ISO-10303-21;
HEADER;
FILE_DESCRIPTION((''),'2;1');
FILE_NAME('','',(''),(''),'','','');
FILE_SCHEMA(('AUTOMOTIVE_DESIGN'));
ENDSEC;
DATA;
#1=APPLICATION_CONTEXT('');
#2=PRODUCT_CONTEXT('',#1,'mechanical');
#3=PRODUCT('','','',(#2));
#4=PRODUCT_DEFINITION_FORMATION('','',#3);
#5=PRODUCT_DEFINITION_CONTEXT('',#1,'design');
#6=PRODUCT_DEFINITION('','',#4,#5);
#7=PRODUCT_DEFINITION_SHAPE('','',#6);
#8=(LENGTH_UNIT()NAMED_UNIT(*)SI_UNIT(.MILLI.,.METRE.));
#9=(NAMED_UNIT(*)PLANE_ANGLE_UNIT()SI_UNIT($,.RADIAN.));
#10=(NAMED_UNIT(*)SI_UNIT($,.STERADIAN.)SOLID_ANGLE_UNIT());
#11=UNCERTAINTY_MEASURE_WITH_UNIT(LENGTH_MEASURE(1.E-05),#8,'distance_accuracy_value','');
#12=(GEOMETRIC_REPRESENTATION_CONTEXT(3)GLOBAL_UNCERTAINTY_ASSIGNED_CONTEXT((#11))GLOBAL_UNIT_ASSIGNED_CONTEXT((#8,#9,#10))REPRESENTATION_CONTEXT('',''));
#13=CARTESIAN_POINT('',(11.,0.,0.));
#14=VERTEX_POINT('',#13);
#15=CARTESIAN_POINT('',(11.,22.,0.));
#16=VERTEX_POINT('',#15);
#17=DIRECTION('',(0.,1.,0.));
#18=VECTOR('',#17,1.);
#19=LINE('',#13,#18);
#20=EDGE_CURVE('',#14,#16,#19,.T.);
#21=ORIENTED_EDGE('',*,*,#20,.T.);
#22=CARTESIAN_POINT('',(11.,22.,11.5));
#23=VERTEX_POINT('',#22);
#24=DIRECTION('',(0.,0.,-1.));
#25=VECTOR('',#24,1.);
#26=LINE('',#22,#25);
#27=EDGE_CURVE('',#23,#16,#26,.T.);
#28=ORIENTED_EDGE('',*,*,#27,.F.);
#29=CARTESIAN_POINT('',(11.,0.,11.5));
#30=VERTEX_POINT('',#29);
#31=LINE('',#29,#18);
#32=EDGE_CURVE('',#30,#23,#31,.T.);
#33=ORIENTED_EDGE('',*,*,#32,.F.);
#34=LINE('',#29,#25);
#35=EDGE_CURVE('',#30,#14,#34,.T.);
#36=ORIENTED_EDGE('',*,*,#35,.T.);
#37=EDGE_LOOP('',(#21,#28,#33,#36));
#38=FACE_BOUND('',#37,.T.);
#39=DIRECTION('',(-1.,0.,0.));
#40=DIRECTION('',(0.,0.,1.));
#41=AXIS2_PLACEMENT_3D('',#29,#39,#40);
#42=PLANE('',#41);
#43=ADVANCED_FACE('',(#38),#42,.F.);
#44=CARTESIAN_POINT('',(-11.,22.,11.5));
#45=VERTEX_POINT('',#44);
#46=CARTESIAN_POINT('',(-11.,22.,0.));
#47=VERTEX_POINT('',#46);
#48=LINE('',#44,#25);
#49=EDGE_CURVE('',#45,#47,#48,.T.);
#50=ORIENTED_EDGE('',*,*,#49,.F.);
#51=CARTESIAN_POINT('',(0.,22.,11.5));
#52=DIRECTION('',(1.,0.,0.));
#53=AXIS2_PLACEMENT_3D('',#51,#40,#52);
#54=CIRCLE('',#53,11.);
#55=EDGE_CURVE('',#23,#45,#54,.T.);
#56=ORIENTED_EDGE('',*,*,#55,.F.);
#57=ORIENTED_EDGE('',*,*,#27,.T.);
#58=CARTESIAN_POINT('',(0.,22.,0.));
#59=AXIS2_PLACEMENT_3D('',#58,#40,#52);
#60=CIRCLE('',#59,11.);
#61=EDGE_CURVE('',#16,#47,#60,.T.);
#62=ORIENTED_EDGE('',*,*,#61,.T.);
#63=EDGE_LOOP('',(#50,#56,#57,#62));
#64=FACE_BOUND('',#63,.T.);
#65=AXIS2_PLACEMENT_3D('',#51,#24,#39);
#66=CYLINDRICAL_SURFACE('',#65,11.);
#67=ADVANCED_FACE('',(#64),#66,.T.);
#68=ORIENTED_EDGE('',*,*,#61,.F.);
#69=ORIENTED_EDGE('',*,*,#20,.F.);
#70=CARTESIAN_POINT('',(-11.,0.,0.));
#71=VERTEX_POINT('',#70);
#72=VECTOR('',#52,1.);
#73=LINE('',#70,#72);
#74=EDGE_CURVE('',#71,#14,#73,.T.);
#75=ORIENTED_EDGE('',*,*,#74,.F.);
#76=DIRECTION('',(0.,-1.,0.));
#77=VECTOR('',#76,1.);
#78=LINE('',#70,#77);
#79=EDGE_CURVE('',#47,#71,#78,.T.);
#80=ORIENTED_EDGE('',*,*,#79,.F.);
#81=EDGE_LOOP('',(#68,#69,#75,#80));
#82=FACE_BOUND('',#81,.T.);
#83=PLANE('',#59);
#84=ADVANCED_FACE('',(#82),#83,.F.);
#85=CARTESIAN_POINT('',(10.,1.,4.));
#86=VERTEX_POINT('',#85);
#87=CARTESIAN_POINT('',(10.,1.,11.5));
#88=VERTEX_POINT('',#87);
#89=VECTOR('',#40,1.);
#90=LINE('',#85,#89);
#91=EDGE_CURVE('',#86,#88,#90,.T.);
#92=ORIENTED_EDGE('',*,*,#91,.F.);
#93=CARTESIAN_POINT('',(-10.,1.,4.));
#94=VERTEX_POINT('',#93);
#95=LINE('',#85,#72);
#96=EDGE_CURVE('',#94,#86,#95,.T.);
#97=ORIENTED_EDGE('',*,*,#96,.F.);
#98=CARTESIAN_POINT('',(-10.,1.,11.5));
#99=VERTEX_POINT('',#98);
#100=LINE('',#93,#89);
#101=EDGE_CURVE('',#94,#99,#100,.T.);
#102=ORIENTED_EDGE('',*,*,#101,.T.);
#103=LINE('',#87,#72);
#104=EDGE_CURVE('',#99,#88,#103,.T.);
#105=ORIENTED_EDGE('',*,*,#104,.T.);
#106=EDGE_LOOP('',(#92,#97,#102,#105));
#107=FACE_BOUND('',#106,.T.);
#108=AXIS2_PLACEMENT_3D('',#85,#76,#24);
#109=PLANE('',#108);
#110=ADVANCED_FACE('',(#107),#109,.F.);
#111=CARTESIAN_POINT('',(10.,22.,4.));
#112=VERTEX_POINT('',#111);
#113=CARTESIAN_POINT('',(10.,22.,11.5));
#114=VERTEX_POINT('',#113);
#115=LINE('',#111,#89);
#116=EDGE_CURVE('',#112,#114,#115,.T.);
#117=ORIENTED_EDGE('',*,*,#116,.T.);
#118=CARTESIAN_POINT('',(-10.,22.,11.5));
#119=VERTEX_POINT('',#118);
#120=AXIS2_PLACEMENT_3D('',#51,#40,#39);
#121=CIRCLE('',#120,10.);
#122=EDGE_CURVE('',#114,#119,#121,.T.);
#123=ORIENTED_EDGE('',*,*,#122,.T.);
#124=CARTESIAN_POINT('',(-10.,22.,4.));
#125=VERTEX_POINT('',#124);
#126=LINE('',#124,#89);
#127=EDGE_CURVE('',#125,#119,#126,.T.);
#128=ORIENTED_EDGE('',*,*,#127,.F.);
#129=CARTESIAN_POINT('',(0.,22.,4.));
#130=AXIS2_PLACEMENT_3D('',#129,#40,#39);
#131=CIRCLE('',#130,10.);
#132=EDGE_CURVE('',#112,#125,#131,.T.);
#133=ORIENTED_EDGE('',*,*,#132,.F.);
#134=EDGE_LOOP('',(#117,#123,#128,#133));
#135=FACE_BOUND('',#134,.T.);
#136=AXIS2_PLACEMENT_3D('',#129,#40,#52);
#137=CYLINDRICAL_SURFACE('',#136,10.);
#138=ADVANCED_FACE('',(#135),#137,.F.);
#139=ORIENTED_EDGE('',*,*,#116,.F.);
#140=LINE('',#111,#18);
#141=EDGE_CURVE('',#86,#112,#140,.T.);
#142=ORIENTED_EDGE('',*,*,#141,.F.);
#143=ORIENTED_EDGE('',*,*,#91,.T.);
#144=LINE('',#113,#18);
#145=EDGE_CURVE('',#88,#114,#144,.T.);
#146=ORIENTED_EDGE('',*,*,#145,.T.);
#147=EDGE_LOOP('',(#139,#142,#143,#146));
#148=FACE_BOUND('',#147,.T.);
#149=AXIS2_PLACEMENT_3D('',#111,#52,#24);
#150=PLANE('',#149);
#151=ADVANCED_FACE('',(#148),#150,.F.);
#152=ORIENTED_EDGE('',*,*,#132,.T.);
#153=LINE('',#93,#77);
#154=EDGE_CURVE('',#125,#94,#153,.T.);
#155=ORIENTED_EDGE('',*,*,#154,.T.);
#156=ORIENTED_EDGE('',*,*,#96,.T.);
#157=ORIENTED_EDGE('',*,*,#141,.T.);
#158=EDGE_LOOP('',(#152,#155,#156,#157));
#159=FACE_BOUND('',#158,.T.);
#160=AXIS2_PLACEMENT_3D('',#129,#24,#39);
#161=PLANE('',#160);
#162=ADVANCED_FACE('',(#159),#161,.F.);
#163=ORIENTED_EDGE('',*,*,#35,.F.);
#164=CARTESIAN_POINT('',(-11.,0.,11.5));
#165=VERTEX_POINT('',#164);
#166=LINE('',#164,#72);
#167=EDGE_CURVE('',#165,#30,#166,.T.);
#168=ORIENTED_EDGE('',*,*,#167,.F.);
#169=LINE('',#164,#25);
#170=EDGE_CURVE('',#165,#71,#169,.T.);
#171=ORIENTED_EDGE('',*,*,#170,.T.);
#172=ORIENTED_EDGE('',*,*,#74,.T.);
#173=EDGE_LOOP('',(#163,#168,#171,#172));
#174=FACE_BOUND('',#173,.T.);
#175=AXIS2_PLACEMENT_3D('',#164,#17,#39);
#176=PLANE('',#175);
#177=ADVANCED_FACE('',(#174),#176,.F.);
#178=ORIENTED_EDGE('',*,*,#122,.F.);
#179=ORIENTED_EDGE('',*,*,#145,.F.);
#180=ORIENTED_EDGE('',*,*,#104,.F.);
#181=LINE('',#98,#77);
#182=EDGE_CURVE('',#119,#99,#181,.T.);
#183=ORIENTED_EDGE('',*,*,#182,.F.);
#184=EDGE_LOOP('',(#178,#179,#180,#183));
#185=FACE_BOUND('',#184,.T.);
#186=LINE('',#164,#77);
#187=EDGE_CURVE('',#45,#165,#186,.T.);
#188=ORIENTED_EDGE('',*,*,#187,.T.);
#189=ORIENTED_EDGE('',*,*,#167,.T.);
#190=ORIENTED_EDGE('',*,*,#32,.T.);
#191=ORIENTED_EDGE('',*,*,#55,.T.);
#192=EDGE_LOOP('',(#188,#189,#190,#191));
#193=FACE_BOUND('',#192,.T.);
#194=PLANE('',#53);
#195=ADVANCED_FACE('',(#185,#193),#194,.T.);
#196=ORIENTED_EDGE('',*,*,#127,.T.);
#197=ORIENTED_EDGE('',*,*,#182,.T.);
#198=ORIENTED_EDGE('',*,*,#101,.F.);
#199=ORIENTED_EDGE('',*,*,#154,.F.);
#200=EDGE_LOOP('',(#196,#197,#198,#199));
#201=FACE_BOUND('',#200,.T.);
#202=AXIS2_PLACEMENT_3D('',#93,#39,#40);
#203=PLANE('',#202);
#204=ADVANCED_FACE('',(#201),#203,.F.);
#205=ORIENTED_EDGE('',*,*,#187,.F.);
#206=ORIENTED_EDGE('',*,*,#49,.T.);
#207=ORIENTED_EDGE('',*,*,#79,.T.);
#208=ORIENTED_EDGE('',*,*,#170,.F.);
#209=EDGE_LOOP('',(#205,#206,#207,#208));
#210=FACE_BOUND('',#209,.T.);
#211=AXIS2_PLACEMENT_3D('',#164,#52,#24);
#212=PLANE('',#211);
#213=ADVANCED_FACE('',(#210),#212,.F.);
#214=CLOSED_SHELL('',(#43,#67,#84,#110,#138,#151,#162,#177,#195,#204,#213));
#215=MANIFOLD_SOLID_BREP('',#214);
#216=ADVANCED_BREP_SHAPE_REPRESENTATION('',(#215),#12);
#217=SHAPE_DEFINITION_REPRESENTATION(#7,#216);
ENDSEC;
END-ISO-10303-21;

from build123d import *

# Parameters (mm, degrees)
BOSS_EXTRU_1_DEPTH      = 11.5
ENL_V_MAT_EXTRU_1_DEPTH = 7.5


with BuildPart() as part:
    # Esquisse1 → Boss.-Extru.1 (new body)
    with BuildSketch(Plane.XY):
        with BuildLine():
            Line((-11, 0), (11, 0))
            Line((11, 0), (11, 22))
            ThreePointArc((11, 22), (0, 33), (-11, 22))
            Line((-11, 22), (-11, 0))
        make_face()
    extrude(amount=BOSS_EXTRU_1_DEPTH)

    # Esquisse2 → Enlèv. mat.-Extru.1 (cut)
    with BuildSketch(Plane.XY.offset(11.5)):
        with BuildLine():
            Line((-10, 1), (-10, 22))
            ThreePointArc((-10, 22), (0, 32), (10, 22))
            Line((10, 22), (10, 1))
            Line((10, 1), (-10, 1))
        make_face()
    extrude(amount=-ENL_V_MAT_EXTRU_1_DEPTH, mode=Mode.SUBTRACT)


solid = part.part
